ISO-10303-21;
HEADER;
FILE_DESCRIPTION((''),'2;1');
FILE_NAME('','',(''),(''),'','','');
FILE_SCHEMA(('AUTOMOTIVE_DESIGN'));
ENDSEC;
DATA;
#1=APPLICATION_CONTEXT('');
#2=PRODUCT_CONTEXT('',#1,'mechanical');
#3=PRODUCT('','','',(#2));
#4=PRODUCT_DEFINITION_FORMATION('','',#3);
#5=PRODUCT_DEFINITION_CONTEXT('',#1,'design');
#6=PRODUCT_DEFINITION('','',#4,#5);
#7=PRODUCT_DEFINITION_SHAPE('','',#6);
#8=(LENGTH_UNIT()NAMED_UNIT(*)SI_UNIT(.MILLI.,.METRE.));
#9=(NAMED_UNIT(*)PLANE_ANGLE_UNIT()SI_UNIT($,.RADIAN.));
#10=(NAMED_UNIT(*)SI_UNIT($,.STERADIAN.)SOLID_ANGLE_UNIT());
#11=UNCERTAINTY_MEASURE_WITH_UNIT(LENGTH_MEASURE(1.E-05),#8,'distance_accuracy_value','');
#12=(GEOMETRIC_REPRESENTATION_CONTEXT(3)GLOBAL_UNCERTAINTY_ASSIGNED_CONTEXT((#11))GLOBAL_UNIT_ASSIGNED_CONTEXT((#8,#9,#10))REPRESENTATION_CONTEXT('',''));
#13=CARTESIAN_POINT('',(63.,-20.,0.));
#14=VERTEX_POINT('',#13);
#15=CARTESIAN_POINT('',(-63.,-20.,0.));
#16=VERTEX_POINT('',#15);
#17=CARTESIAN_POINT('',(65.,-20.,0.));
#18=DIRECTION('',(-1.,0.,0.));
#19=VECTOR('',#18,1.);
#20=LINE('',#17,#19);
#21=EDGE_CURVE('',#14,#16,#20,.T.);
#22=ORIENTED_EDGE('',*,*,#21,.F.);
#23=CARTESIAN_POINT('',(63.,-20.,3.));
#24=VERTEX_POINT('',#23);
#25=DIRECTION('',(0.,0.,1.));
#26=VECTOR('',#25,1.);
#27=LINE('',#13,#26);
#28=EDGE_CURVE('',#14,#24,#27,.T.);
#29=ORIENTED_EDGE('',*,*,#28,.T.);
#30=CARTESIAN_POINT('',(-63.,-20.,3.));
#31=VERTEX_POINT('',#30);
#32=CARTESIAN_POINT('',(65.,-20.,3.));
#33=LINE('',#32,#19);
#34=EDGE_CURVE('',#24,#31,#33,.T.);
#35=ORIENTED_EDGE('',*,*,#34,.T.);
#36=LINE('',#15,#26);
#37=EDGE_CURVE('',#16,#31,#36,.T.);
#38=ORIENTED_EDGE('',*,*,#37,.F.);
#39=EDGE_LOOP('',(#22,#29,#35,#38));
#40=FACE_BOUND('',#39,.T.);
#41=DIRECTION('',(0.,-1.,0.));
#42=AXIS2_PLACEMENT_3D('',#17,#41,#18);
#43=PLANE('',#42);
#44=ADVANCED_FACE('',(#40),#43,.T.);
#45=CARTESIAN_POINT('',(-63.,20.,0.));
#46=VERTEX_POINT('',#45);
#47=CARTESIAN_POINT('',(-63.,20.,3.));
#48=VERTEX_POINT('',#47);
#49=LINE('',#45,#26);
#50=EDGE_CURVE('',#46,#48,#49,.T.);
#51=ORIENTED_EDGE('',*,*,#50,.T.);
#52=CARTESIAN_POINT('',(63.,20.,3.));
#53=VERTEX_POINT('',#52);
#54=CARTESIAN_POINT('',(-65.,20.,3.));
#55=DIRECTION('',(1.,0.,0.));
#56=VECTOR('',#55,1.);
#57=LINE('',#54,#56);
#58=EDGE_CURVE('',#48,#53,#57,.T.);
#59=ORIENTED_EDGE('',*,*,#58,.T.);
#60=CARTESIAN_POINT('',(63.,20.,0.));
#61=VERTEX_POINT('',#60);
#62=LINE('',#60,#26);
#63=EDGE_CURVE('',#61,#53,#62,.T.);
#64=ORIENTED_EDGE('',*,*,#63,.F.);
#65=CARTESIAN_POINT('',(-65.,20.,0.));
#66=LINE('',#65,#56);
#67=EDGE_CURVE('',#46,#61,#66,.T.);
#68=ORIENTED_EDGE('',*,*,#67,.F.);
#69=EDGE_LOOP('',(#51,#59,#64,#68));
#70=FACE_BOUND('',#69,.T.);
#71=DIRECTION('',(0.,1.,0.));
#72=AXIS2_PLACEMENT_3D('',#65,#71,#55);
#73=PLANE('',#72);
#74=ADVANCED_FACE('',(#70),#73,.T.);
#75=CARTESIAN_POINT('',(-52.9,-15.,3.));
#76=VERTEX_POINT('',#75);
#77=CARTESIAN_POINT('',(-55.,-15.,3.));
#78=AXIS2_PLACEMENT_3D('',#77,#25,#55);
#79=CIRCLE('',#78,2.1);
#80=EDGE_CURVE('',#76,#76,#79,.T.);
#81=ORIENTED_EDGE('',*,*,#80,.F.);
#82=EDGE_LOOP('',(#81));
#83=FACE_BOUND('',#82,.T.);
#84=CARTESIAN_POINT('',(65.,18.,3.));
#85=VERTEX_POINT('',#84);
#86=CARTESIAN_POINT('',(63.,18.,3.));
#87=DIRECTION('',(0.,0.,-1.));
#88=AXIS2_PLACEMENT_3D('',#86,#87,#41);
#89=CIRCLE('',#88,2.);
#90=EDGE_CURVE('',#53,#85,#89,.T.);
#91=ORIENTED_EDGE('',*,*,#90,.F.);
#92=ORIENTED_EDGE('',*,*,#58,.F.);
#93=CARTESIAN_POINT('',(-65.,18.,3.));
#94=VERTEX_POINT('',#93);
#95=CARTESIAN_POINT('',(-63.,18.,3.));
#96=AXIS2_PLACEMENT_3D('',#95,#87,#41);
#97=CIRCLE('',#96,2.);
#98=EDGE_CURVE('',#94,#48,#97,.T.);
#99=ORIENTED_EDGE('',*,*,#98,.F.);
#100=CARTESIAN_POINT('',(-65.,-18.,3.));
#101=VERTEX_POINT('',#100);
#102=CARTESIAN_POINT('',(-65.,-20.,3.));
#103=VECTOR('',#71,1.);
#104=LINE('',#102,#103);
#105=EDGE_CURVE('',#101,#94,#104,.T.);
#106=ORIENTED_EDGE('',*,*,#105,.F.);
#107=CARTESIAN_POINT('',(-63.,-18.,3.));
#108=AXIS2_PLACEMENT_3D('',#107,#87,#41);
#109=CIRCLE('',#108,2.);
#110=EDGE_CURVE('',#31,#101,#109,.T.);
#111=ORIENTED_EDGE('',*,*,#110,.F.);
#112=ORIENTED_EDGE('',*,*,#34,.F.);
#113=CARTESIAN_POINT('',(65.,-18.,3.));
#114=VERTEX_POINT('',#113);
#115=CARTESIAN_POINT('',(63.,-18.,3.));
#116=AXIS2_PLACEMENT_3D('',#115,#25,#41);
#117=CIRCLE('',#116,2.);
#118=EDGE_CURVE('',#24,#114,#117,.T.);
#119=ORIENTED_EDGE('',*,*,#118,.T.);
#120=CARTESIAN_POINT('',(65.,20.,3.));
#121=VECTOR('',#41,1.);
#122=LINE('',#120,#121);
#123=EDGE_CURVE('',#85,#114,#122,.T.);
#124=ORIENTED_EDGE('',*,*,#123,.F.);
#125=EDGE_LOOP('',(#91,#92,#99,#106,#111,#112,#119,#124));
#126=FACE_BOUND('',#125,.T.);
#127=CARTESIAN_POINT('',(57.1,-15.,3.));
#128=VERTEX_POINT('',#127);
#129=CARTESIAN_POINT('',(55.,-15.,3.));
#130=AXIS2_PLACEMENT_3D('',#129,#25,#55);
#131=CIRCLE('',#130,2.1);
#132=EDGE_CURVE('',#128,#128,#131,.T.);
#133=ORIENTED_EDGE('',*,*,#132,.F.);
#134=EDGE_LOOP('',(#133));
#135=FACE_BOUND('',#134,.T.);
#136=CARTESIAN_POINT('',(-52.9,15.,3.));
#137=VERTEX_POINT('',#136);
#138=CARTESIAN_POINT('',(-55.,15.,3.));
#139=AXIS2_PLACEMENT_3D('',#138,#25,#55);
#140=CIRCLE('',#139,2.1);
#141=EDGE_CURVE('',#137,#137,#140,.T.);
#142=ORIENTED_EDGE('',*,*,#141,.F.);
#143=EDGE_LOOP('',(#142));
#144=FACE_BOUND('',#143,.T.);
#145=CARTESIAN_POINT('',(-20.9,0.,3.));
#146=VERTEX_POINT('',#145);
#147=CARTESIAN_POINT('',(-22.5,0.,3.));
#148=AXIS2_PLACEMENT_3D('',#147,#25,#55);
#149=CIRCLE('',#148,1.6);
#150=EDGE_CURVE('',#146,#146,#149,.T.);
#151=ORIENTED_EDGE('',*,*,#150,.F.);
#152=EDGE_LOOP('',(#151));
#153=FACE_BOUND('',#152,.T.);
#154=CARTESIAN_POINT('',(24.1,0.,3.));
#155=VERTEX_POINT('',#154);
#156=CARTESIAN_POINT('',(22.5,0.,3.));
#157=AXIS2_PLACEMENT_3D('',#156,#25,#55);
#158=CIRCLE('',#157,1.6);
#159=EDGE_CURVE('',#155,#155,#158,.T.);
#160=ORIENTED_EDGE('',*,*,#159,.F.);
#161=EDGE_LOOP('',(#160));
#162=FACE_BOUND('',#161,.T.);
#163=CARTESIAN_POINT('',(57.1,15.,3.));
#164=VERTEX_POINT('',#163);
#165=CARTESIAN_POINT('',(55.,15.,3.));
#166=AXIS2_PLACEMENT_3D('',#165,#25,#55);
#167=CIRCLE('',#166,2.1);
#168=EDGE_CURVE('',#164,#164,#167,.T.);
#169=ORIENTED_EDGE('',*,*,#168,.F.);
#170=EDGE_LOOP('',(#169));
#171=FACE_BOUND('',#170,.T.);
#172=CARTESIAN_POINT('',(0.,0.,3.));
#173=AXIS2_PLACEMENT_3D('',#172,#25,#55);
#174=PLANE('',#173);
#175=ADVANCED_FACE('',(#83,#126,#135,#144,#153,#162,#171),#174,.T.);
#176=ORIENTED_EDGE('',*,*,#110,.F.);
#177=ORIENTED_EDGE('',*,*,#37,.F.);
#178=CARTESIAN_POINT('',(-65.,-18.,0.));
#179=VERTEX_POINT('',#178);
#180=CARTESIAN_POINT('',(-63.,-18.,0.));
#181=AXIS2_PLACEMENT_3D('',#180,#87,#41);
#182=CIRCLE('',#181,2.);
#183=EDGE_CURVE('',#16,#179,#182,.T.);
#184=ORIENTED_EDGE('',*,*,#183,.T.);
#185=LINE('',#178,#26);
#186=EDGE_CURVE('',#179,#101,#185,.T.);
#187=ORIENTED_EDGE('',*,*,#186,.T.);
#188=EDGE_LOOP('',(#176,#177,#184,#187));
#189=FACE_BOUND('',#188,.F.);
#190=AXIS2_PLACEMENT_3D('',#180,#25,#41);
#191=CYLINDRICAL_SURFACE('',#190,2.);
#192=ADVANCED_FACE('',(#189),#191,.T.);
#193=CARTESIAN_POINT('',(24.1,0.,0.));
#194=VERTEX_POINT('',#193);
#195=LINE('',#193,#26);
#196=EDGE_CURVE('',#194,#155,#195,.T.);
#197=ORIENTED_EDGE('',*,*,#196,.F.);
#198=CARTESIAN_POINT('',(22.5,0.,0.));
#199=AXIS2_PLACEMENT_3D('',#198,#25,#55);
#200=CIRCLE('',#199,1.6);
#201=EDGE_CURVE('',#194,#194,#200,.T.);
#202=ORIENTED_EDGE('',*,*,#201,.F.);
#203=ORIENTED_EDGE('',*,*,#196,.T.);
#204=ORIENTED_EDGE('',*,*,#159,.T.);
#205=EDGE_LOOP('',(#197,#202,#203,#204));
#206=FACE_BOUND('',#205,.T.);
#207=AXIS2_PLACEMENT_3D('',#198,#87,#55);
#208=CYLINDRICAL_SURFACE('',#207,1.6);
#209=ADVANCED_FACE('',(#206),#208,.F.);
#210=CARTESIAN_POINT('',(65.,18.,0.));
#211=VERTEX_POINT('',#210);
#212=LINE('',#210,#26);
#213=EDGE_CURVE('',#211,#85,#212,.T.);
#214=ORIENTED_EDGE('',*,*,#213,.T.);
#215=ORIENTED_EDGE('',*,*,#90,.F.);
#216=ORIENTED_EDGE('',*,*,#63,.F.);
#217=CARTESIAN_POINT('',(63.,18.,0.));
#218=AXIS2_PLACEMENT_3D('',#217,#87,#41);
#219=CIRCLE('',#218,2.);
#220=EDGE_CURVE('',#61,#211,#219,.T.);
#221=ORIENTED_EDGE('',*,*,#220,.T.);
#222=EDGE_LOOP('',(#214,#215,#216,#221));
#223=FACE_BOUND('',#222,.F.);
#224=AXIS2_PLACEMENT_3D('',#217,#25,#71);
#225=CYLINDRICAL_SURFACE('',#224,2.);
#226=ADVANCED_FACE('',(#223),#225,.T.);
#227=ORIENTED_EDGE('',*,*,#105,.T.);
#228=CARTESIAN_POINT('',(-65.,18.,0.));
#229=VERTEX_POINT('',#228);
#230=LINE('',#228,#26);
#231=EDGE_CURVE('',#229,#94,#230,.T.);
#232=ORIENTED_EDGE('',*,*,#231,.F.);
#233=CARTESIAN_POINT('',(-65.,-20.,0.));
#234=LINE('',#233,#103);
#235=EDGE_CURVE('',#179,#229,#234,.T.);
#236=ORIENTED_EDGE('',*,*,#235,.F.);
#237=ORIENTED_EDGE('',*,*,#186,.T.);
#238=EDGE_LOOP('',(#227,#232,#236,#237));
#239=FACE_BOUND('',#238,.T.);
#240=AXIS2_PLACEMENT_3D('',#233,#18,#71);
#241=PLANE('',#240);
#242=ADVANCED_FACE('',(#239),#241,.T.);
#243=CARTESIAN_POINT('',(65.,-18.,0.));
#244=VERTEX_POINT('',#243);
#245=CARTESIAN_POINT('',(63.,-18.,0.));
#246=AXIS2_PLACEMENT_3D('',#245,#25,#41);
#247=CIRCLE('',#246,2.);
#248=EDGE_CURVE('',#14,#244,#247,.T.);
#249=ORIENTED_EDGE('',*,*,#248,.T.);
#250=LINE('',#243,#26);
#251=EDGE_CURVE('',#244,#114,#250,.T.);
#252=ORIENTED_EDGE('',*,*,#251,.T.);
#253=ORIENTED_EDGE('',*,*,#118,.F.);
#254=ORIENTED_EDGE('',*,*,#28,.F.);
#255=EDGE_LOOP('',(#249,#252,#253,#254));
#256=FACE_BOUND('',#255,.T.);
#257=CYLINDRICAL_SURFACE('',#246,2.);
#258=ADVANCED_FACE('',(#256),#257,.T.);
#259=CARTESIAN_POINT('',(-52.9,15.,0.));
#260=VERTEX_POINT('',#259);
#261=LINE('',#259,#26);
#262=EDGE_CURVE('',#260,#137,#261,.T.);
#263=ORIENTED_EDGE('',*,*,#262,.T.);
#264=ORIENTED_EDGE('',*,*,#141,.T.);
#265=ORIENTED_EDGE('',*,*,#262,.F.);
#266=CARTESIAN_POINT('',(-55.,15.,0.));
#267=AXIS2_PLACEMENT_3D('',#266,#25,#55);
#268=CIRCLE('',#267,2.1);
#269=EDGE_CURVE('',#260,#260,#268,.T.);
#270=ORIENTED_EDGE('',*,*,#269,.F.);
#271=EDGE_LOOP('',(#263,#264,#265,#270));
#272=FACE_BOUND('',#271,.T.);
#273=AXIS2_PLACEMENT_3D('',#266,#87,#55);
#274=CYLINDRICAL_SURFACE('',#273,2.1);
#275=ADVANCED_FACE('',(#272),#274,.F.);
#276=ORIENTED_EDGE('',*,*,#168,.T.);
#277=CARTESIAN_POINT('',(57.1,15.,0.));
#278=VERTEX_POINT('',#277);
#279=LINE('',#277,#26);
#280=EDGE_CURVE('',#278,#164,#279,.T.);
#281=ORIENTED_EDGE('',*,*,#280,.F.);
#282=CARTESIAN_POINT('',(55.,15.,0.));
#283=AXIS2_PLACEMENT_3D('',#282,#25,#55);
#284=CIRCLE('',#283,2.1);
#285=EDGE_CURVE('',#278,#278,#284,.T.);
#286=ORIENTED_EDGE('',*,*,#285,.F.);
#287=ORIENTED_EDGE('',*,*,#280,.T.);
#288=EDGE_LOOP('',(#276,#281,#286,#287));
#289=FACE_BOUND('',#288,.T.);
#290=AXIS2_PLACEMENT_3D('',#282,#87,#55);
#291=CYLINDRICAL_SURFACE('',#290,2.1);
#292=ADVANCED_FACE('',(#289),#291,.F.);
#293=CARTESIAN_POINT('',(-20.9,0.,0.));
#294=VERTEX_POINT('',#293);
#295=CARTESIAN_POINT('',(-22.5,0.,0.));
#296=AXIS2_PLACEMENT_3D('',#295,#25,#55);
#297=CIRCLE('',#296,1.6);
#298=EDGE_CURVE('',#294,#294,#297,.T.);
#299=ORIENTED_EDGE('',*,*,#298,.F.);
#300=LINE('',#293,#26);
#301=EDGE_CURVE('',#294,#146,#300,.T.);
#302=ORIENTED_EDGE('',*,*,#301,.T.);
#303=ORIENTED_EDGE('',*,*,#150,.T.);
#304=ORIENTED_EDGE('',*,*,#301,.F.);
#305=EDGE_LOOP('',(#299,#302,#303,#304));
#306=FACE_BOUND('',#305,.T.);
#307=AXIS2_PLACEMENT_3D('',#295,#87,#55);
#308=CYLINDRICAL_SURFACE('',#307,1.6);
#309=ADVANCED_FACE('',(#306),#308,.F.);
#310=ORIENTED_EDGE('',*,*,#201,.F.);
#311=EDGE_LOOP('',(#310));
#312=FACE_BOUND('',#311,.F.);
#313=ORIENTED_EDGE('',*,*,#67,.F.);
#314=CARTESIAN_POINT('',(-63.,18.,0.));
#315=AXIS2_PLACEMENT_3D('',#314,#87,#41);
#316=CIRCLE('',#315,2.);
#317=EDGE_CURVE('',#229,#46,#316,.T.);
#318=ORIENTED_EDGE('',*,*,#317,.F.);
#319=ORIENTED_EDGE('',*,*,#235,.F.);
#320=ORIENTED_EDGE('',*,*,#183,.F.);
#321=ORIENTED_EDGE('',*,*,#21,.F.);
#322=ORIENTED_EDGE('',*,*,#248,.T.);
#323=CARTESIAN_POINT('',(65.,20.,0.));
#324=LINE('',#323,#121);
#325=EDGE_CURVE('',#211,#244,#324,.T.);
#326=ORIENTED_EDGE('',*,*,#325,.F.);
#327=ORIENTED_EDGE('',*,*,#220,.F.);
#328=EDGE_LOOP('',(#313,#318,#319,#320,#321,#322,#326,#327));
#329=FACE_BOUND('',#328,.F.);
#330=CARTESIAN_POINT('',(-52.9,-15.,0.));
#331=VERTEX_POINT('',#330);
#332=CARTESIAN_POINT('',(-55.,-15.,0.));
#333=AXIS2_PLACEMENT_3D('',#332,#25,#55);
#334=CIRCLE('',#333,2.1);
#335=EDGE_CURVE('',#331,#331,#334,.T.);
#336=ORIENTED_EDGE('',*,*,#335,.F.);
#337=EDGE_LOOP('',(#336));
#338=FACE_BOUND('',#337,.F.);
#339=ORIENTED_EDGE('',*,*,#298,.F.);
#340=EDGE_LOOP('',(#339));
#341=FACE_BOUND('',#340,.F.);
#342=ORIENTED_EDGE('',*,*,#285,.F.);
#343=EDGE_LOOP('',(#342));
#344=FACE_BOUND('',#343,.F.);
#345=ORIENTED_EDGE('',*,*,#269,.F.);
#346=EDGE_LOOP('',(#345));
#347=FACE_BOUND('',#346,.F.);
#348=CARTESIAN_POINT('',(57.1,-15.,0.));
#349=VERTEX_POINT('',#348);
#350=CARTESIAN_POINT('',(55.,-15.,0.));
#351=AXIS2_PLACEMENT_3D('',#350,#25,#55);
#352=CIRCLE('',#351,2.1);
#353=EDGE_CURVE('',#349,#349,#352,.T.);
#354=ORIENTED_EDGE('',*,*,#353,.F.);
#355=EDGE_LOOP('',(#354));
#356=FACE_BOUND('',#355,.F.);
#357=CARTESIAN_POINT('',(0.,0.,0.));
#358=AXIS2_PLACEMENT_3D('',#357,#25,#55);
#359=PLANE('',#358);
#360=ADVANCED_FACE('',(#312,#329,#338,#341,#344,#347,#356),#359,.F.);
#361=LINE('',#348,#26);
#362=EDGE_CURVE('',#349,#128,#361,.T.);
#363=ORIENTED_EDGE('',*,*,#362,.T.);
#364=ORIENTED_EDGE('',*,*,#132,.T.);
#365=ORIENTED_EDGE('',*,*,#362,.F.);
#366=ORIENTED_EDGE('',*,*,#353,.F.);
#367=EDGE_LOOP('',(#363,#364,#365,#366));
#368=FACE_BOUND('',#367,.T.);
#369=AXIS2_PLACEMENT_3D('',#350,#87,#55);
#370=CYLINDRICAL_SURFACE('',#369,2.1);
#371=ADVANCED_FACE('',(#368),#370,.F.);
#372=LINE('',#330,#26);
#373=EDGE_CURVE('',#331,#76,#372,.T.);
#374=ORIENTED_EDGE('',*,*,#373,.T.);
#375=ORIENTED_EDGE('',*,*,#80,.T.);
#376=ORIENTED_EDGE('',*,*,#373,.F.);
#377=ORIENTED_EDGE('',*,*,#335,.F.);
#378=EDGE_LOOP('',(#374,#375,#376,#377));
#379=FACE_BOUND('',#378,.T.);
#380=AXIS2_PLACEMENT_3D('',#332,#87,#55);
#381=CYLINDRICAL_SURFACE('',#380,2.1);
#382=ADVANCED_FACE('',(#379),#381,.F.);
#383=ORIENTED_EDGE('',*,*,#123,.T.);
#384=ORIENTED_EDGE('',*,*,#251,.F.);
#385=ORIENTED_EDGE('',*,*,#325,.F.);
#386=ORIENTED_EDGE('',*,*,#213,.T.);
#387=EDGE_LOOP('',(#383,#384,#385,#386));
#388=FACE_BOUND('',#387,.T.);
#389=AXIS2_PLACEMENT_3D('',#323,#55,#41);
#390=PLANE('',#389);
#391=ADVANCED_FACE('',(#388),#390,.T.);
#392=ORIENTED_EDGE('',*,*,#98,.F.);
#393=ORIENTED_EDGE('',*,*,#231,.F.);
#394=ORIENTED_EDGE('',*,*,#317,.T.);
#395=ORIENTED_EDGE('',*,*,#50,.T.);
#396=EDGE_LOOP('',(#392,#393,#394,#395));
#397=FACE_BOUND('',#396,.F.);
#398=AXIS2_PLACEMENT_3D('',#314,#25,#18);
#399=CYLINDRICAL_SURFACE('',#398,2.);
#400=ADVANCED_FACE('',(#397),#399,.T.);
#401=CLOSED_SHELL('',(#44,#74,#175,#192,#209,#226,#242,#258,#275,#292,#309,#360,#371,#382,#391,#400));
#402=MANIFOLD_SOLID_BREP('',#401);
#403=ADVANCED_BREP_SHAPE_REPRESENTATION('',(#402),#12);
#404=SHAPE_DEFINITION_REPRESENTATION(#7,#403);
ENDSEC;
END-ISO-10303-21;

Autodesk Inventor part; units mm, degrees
ref_plane "YZ Plane" through (0, 0, 0) normal (1, 0, 0) x (0, 1, 0)
ref_plane "XZ Plane" through (0, 0, 0) normal (0, 1, 0) x (-1, 0, 0)
ref_plane "XY Plane" through (0, 0, 0) normal (0, 0, 1) x (1, 0, 0)
sketch "スケッチ1" plane through (0, 0, 0) normal (0, 0, 1) x (1, 0, 0)
  line L0 (65, -20) -> (-65, -20)
  line L1 (-65, -20) -> (-65, 20)
  line L2 (-65, 20) -> (65, 20)
  line L3 (65, 20) -> (65, -20)
  line L4 (65, -20) -> (-65, 20) construction
  line L5 (-65, -20) -> (65, 20) construction
  circle A0 centre (-55, 15) radius 2.1
  circle A1 centre (-55, -15) radius 2.1
  circle A2 centre (55, 15) radius 2.1
  circle A3 centre (55, -15) radius 2.1
  circle A4 centre (22.5, 0) radius 1.6
  circle A5 centre (-22.5, 0) radius 1.6
  point P0 (0, 0)
  point P1 (0, 0)
  dimension "d0" = 130
  dimension "d1" = 40
  dimension "d2" = 4.2
  dimension "d3" = 4.2
  dimension "d4" = 4.2
  dimension "d5" = 4.2
  dimension "d6" = 3.2
  dimension "d7" = 3.2
  dimension "d8" = 22.5
  dimension "d9" = 22.5
  dimension "d10" = 10
  dimension "d11" = 10
  dimension "d12" = 5
  dimension "d13" = 5
  dimension "d14" = 10
  dimension "d15" = 5
  dimension "d16" = 10
  dimension "d17" = 5
extrude "押し出し1" add sketch "スケッチ1" along normal blind 3
fillet "フィレット1" radius 2 4 edges at (65, 20, 1.5) (65, -20, 1.5) (-65, 20, 1.5) (-65, -20, 1.5)
properties part number "RPlate"
